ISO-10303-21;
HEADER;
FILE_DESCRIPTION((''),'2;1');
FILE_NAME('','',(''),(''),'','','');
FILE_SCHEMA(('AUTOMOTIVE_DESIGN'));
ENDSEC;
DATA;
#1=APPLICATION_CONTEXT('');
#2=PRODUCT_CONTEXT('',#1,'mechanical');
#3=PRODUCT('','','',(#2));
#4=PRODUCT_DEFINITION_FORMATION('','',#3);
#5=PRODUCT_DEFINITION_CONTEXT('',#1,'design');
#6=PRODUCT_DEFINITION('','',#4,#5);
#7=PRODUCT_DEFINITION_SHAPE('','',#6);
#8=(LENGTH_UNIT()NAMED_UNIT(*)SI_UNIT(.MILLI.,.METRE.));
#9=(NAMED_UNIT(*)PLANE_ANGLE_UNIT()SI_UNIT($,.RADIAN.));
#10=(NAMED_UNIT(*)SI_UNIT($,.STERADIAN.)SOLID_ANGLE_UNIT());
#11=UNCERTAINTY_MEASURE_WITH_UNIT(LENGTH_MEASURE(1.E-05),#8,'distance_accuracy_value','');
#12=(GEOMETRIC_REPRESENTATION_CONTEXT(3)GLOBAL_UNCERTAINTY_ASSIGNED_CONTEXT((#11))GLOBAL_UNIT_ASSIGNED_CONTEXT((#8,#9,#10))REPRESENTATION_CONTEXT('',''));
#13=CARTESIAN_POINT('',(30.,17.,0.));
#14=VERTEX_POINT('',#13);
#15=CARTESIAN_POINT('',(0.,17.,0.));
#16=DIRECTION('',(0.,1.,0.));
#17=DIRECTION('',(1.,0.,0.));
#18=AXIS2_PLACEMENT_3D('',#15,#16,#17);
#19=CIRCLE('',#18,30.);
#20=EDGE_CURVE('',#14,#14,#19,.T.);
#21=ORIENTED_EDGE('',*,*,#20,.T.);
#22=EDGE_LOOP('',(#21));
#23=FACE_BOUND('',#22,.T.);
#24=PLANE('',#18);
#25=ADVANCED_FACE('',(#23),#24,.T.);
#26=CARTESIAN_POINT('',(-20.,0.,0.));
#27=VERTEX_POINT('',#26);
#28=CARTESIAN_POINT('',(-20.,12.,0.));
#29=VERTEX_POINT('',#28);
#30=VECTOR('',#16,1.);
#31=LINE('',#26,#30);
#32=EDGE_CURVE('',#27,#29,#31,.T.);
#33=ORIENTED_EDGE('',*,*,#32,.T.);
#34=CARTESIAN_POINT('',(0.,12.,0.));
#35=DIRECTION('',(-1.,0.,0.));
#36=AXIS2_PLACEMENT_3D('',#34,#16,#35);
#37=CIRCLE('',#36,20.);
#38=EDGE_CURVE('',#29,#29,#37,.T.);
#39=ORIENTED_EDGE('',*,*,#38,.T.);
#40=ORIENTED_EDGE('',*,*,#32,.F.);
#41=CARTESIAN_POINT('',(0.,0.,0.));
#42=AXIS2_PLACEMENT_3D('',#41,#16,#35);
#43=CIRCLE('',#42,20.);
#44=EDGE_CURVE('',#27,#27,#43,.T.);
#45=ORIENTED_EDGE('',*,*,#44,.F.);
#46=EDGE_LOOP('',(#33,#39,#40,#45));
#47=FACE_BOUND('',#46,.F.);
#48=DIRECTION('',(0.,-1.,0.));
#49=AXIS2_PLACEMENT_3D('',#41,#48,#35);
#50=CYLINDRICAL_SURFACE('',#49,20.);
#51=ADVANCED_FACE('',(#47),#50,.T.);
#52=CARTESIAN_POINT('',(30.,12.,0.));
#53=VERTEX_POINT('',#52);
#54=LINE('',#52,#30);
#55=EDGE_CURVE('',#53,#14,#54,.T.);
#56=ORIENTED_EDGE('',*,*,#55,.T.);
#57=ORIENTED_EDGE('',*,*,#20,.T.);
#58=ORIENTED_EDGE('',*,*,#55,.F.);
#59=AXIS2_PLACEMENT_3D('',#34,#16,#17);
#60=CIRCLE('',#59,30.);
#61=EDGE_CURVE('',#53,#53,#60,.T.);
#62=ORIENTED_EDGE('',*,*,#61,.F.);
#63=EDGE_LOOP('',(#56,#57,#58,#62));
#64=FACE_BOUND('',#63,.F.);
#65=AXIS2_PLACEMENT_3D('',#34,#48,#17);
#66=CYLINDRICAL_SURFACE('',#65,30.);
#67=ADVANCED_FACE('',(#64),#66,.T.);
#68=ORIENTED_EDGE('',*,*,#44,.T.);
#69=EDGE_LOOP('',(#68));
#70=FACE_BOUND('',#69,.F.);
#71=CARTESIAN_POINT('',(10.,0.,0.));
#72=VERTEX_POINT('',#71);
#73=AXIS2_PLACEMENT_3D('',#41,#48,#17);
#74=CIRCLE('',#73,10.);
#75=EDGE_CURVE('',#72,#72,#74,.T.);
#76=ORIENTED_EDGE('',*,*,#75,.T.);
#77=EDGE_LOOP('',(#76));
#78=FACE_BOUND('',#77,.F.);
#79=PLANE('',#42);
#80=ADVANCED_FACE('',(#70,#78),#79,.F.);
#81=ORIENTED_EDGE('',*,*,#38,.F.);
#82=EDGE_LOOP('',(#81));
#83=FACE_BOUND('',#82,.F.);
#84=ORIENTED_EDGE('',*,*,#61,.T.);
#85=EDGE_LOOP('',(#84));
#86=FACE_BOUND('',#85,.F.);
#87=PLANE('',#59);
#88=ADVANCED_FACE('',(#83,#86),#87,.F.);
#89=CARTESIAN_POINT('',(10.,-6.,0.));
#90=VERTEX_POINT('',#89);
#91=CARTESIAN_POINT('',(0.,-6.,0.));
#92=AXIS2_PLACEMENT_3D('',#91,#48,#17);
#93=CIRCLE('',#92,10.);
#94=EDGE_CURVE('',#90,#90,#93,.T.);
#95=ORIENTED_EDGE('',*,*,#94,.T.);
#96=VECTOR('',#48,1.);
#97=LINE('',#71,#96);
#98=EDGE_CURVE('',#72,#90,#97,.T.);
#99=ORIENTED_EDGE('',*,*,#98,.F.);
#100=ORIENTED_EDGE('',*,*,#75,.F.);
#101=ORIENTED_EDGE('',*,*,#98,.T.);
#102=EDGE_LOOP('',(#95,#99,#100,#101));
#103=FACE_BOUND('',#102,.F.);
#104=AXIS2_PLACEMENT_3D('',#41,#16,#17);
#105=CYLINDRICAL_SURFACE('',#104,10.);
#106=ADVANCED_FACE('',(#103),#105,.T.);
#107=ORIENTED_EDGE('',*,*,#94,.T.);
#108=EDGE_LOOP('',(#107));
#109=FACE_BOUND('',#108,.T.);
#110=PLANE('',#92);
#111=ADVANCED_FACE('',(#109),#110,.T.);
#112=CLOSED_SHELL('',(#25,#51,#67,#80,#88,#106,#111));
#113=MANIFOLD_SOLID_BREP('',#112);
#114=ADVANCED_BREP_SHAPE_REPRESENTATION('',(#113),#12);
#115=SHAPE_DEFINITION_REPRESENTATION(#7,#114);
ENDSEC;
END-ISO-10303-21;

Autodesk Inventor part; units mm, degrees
ref_plane "YZ Plane" through (0, 0, 0) normal (1, 0, 0) x (0, 1, 0)
ref_plane "XZ Plane" through (0, 0, 0) normal (0, 1, 0) x (-1, 0, 0)
ref_plane "XY Plane" through (0, 0, 0) normal (0, 0, 1) x (1, 0, 0)
sketch "Sketch1" plane through (0, 0, 0) normal (0, 1, 0) x (-1, 0, 0)
  circle A0 centre (0, 0) radius 20
  dimension "d0" = 40
extrude "Extrusion1" add sketch "Sketch1" along normal blind 12
sketch "Sketch3" plane through (0, 12, 0) normal (0, 1, 0) x (1, 0, 0)
  circle A0 centre (0, 0) radius 30
  dimension "d4" = 60
extrude "Extrusion2" add sketch "Sketch3" along normal blind 5
sketch "Sketch4" plane through (0, 0, 0) normal (0, -1, 0) x (1, 0, 0)
  circle A0 centre (0, 0) radius 10
  dimension "d7" = 20
extrude "Extrusion3" add sketch "Sketch4" along normal blind 6
properties part number "Axis1"
